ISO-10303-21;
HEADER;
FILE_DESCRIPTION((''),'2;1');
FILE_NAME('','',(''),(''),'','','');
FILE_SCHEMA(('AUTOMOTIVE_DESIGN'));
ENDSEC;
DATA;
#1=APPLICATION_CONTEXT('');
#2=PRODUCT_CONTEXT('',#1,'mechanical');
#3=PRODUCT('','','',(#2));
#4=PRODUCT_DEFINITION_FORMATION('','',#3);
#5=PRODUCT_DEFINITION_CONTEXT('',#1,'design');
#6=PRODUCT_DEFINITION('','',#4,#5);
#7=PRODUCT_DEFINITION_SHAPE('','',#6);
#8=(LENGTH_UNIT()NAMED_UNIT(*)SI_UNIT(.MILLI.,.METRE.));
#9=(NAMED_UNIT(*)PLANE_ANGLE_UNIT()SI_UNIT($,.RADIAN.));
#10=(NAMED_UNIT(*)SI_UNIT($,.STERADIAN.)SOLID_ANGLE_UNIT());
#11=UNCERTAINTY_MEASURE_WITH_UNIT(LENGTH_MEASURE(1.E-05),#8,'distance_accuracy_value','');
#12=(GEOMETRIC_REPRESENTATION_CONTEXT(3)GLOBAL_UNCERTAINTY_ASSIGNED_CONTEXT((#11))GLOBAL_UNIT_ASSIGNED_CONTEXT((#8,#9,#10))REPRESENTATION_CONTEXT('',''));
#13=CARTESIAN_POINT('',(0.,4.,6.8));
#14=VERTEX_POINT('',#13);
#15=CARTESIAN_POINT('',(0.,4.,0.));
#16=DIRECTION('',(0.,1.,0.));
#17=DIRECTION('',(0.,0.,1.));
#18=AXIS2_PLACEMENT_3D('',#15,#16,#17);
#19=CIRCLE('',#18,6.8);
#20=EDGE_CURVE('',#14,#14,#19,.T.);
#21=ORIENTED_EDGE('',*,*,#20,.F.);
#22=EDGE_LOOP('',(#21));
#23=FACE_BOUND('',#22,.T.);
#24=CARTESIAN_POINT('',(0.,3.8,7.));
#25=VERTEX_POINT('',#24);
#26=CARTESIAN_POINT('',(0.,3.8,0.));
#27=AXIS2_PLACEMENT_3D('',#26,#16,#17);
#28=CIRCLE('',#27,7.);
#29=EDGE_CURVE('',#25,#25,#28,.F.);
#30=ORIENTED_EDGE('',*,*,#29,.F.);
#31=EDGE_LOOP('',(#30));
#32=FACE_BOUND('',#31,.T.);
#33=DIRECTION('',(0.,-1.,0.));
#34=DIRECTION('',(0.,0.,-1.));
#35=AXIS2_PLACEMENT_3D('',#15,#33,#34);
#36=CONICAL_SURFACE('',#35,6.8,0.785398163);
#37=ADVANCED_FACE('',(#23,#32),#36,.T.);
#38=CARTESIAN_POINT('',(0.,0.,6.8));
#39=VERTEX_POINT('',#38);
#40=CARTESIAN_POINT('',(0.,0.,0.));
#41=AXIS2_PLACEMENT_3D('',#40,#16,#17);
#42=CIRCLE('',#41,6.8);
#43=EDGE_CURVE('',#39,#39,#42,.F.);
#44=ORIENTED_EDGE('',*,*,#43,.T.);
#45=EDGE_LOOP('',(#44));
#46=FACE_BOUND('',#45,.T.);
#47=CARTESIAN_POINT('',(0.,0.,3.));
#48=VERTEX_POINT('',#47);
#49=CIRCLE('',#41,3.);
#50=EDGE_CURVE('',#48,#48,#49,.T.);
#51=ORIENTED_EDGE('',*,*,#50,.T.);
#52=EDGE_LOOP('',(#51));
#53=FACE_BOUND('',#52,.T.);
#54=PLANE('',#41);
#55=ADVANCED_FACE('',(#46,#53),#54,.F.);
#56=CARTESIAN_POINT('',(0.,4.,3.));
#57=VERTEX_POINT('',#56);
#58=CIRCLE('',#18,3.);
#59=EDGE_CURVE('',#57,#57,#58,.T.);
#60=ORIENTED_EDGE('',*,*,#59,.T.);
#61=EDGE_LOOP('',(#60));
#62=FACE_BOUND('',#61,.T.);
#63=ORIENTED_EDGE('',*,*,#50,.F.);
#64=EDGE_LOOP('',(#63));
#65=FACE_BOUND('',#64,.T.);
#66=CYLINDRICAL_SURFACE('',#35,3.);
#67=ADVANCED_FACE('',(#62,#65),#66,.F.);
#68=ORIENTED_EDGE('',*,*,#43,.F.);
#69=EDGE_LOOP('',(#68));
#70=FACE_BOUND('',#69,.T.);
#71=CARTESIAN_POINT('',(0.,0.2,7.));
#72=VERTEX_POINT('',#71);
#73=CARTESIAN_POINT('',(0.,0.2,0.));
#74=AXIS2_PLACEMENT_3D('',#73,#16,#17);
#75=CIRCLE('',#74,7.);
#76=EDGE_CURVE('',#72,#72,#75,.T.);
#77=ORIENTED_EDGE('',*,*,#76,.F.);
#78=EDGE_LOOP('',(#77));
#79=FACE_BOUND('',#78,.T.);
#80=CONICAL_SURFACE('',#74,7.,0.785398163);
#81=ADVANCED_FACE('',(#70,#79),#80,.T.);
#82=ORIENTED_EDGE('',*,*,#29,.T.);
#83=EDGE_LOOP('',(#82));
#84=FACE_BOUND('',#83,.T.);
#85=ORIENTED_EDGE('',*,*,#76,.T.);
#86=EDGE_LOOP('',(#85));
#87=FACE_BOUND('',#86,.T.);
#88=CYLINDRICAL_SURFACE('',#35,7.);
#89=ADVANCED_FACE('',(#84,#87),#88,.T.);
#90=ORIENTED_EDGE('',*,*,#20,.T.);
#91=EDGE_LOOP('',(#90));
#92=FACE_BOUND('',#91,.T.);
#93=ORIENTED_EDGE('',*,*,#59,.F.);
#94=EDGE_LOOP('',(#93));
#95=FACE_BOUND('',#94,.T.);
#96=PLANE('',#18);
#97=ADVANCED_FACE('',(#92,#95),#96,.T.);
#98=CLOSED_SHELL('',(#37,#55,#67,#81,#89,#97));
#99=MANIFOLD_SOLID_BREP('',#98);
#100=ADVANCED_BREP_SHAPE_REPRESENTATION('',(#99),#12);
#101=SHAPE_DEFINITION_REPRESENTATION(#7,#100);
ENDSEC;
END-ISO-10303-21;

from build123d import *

# Parameters (mm, degrees)
SKETCH_1_R      = 7
SKETCH_1_R_2    = 3
EXTRUDE_1_DEPTH = 4
CHAMFER_1_SIZE  = 0.2


with BuildPart() as part:
    # 草图1 → 凸台-拉伸1 (new body)
    with BuildSketch(Plane(origin=(0, 0, 0), x_dir=(1, 0, 0), z_dir=(0, 1, 0))):
        Circle(SKETCH_1_R)
        Circle(SKETCH_1_R_2, mode=Mode.SUBTRACT)
    extrude(amount=EXTRUDE_1_DEPTH)

    # 倒角1
    chamfer_1_edges = [part.edges().sort_by_distance(p)[0] for p in [
        (-7, 0, 0),
        (-7, 4, 0),
    ]]
    chamfer(chamfer_1_edges, length=CHAMFER_1_SIZE)


solid = part.part
